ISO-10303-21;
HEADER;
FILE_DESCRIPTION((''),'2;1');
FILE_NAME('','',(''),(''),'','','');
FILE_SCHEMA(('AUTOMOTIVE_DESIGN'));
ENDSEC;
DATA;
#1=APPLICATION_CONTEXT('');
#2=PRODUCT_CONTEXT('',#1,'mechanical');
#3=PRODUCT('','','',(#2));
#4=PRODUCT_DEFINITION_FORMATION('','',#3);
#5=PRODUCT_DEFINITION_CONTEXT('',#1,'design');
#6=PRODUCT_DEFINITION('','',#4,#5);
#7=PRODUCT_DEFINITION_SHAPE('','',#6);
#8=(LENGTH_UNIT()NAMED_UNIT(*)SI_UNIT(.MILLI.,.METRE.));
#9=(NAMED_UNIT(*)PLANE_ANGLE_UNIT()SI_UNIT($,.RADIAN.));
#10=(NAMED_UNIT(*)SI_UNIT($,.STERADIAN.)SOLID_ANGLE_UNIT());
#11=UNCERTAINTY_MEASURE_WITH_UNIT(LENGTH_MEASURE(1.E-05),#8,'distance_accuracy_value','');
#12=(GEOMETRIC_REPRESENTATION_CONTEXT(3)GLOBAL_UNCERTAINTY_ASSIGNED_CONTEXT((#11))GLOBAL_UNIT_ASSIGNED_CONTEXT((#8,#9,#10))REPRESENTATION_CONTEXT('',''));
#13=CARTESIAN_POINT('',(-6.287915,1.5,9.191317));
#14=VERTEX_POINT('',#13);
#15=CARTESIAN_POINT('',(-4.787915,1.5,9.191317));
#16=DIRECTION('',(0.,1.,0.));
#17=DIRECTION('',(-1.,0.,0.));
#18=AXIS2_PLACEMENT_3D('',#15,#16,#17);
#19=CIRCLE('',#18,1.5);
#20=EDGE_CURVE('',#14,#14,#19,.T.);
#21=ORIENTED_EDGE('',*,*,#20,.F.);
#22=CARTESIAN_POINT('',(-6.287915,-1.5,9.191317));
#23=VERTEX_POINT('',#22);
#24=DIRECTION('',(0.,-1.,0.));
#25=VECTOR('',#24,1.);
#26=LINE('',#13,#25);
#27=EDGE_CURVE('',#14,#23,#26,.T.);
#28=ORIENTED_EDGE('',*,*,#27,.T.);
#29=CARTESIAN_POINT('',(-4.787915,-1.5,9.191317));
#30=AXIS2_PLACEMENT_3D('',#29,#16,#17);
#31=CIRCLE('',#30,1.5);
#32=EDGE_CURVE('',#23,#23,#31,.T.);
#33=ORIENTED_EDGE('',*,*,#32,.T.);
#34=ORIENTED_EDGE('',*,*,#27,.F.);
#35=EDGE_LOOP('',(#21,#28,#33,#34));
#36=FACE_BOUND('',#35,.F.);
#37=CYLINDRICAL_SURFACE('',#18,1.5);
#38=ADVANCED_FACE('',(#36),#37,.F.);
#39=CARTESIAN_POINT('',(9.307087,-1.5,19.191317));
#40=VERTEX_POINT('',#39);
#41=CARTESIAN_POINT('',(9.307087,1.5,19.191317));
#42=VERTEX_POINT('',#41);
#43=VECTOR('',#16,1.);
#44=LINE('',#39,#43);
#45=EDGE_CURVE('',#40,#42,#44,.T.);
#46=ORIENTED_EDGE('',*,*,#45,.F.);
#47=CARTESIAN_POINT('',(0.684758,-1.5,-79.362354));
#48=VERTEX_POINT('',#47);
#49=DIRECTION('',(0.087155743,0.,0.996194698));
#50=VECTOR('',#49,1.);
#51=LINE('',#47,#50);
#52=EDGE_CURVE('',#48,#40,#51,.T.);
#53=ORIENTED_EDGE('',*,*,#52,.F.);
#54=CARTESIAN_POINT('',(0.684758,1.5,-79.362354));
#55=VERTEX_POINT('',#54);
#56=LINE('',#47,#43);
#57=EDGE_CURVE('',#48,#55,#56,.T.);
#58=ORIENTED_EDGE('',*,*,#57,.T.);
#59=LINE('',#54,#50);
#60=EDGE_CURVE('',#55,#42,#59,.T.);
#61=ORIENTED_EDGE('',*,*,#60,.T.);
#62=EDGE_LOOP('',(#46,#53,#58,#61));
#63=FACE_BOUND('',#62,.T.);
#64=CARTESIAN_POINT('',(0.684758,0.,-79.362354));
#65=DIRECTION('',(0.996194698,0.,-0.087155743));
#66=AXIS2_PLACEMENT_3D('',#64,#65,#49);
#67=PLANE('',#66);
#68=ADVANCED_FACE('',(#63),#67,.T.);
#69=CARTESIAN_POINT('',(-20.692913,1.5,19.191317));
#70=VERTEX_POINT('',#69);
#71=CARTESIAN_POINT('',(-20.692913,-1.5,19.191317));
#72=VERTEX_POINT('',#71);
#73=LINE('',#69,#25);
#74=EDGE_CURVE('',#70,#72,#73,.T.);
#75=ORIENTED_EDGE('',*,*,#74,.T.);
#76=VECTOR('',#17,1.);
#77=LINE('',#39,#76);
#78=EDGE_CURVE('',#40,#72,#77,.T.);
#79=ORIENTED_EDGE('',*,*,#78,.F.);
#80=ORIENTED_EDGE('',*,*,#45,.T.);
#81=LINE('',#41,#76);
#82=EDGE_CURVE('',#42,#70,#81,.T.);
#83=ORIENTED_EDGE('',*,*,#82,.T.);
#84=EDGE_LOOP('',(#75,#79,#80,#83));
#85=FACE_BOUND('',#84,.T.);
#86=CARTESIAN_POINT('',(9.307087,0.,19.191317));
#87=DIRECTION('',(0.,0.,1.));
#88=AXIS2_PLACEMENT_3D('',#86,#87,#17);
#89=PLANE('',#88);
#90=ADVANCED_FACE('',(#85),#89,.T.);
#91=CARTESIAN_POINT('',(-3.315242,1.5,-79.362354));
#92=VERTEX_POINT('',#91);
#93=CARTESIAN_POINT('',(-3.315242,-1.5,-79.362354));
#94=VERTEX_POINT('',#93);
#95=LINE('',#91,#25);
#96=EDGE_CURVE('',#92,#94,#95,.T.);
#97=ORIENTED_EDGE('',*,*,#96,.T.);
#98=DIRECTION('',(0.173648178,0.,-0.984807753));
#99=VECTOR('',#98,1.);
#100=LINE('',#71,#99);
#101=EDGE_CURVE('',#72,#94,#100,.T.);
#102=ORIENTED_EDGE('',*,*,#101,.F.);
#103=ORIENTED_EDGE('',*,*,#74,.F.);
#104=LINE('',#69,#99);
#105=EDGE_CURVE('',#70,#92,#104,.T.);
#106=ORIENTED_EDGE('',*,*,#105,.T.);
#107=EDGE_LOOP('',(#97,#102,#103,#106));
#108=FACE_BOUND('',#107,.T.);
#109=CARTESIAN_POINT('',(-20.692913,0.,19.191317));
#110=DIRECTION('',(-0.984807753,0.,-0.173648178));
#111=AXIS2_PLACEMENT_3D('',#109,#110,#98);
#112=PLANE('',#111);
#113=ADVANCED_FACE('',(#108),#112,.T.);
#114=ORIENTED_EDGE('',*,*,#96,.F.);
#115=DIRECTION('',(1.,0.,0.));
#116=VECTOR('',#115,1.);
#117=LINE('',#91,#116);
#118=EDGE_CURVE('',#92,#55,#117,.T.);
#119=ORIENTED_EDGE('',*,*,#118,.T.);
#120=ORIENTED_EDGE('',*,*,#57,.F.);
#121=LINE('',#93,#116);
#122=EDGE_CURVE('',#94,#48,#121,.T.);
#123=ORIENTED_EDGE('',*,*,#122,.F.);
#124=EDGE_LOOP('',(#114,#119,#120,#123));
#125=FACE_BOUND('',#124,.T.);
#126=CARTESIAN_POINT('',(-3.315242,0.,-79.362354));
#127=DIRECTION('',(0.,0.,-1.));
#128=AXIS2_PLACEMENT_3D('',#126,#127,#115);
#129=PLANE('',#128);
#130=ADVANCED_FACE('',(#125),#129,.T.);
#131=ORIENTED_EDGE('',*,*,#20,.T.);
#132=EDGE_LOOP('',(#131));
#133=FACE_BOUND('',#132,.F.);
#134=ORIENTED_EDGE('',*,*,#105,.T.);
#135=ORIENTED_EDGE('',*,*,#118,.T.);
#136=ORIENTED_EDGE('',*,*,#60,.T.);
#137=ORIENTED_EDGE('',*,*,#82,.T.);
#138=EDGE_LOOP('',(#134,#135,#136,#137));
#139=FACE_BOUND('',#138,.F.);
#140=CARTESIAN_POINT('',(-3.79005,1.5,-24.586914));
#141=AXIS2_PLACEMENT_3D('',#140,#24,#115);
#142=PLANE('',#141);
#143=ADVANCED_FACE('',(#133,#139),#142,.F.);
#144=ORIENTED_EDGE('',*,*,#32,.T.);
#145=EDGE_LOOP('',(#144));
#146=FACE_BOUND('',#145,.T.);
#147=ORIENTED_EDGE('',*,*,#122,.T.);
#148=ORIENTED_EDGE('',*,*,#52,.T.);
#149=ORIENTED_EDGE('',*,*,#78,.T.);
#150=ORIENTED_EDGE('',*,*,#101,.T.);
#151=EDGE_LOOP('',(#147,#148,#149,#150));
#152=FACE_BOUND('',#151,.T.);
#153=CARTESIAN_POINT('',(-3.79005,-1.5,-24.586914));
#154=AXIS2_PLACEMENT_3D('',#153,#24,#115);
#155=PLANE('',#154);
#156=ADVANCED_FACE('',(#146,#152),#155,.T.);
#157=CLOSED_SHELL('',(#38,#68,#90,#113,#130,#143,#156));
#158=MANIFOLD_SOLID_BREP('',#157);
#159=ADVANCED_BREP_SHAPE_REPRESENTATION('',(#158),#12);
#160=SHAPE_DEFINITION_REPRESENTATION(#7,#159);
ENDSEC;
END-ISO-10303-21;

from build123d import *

# Parameters (mm, degrees)
F1_DEPTH = 1.5
F2_R     = 1.5
F3_DEPTH = 3.001


with BuildPart() as f1:
    # F0 (on Front) → F1 (new body, symmetric)
    with BuildSketch(Plane.XZ):
        Polygon((9.3070869749, 19.1913165577), (-20.6929130251, 19.1913165577), (-3.315241918, -79.3623536595), (0.684758082, -79.3623536595), align=None)
    extrude(amount=F1_DEPTH, both=True)

    # F2 (on face) → F3 (cut, through all)
    with BuildSketch(Plane(origin=(0, 1.5, 0), x_dir=(-1, 0, 0), z_dir=(0, 1, 0))):
        with Locations((4.7879153863, 9.1913165577)):
            Circle(F2_R)
    extrude(amount=-F3_DEPTH, mode=Mode.SUBTRACT)


solid = f1.part
